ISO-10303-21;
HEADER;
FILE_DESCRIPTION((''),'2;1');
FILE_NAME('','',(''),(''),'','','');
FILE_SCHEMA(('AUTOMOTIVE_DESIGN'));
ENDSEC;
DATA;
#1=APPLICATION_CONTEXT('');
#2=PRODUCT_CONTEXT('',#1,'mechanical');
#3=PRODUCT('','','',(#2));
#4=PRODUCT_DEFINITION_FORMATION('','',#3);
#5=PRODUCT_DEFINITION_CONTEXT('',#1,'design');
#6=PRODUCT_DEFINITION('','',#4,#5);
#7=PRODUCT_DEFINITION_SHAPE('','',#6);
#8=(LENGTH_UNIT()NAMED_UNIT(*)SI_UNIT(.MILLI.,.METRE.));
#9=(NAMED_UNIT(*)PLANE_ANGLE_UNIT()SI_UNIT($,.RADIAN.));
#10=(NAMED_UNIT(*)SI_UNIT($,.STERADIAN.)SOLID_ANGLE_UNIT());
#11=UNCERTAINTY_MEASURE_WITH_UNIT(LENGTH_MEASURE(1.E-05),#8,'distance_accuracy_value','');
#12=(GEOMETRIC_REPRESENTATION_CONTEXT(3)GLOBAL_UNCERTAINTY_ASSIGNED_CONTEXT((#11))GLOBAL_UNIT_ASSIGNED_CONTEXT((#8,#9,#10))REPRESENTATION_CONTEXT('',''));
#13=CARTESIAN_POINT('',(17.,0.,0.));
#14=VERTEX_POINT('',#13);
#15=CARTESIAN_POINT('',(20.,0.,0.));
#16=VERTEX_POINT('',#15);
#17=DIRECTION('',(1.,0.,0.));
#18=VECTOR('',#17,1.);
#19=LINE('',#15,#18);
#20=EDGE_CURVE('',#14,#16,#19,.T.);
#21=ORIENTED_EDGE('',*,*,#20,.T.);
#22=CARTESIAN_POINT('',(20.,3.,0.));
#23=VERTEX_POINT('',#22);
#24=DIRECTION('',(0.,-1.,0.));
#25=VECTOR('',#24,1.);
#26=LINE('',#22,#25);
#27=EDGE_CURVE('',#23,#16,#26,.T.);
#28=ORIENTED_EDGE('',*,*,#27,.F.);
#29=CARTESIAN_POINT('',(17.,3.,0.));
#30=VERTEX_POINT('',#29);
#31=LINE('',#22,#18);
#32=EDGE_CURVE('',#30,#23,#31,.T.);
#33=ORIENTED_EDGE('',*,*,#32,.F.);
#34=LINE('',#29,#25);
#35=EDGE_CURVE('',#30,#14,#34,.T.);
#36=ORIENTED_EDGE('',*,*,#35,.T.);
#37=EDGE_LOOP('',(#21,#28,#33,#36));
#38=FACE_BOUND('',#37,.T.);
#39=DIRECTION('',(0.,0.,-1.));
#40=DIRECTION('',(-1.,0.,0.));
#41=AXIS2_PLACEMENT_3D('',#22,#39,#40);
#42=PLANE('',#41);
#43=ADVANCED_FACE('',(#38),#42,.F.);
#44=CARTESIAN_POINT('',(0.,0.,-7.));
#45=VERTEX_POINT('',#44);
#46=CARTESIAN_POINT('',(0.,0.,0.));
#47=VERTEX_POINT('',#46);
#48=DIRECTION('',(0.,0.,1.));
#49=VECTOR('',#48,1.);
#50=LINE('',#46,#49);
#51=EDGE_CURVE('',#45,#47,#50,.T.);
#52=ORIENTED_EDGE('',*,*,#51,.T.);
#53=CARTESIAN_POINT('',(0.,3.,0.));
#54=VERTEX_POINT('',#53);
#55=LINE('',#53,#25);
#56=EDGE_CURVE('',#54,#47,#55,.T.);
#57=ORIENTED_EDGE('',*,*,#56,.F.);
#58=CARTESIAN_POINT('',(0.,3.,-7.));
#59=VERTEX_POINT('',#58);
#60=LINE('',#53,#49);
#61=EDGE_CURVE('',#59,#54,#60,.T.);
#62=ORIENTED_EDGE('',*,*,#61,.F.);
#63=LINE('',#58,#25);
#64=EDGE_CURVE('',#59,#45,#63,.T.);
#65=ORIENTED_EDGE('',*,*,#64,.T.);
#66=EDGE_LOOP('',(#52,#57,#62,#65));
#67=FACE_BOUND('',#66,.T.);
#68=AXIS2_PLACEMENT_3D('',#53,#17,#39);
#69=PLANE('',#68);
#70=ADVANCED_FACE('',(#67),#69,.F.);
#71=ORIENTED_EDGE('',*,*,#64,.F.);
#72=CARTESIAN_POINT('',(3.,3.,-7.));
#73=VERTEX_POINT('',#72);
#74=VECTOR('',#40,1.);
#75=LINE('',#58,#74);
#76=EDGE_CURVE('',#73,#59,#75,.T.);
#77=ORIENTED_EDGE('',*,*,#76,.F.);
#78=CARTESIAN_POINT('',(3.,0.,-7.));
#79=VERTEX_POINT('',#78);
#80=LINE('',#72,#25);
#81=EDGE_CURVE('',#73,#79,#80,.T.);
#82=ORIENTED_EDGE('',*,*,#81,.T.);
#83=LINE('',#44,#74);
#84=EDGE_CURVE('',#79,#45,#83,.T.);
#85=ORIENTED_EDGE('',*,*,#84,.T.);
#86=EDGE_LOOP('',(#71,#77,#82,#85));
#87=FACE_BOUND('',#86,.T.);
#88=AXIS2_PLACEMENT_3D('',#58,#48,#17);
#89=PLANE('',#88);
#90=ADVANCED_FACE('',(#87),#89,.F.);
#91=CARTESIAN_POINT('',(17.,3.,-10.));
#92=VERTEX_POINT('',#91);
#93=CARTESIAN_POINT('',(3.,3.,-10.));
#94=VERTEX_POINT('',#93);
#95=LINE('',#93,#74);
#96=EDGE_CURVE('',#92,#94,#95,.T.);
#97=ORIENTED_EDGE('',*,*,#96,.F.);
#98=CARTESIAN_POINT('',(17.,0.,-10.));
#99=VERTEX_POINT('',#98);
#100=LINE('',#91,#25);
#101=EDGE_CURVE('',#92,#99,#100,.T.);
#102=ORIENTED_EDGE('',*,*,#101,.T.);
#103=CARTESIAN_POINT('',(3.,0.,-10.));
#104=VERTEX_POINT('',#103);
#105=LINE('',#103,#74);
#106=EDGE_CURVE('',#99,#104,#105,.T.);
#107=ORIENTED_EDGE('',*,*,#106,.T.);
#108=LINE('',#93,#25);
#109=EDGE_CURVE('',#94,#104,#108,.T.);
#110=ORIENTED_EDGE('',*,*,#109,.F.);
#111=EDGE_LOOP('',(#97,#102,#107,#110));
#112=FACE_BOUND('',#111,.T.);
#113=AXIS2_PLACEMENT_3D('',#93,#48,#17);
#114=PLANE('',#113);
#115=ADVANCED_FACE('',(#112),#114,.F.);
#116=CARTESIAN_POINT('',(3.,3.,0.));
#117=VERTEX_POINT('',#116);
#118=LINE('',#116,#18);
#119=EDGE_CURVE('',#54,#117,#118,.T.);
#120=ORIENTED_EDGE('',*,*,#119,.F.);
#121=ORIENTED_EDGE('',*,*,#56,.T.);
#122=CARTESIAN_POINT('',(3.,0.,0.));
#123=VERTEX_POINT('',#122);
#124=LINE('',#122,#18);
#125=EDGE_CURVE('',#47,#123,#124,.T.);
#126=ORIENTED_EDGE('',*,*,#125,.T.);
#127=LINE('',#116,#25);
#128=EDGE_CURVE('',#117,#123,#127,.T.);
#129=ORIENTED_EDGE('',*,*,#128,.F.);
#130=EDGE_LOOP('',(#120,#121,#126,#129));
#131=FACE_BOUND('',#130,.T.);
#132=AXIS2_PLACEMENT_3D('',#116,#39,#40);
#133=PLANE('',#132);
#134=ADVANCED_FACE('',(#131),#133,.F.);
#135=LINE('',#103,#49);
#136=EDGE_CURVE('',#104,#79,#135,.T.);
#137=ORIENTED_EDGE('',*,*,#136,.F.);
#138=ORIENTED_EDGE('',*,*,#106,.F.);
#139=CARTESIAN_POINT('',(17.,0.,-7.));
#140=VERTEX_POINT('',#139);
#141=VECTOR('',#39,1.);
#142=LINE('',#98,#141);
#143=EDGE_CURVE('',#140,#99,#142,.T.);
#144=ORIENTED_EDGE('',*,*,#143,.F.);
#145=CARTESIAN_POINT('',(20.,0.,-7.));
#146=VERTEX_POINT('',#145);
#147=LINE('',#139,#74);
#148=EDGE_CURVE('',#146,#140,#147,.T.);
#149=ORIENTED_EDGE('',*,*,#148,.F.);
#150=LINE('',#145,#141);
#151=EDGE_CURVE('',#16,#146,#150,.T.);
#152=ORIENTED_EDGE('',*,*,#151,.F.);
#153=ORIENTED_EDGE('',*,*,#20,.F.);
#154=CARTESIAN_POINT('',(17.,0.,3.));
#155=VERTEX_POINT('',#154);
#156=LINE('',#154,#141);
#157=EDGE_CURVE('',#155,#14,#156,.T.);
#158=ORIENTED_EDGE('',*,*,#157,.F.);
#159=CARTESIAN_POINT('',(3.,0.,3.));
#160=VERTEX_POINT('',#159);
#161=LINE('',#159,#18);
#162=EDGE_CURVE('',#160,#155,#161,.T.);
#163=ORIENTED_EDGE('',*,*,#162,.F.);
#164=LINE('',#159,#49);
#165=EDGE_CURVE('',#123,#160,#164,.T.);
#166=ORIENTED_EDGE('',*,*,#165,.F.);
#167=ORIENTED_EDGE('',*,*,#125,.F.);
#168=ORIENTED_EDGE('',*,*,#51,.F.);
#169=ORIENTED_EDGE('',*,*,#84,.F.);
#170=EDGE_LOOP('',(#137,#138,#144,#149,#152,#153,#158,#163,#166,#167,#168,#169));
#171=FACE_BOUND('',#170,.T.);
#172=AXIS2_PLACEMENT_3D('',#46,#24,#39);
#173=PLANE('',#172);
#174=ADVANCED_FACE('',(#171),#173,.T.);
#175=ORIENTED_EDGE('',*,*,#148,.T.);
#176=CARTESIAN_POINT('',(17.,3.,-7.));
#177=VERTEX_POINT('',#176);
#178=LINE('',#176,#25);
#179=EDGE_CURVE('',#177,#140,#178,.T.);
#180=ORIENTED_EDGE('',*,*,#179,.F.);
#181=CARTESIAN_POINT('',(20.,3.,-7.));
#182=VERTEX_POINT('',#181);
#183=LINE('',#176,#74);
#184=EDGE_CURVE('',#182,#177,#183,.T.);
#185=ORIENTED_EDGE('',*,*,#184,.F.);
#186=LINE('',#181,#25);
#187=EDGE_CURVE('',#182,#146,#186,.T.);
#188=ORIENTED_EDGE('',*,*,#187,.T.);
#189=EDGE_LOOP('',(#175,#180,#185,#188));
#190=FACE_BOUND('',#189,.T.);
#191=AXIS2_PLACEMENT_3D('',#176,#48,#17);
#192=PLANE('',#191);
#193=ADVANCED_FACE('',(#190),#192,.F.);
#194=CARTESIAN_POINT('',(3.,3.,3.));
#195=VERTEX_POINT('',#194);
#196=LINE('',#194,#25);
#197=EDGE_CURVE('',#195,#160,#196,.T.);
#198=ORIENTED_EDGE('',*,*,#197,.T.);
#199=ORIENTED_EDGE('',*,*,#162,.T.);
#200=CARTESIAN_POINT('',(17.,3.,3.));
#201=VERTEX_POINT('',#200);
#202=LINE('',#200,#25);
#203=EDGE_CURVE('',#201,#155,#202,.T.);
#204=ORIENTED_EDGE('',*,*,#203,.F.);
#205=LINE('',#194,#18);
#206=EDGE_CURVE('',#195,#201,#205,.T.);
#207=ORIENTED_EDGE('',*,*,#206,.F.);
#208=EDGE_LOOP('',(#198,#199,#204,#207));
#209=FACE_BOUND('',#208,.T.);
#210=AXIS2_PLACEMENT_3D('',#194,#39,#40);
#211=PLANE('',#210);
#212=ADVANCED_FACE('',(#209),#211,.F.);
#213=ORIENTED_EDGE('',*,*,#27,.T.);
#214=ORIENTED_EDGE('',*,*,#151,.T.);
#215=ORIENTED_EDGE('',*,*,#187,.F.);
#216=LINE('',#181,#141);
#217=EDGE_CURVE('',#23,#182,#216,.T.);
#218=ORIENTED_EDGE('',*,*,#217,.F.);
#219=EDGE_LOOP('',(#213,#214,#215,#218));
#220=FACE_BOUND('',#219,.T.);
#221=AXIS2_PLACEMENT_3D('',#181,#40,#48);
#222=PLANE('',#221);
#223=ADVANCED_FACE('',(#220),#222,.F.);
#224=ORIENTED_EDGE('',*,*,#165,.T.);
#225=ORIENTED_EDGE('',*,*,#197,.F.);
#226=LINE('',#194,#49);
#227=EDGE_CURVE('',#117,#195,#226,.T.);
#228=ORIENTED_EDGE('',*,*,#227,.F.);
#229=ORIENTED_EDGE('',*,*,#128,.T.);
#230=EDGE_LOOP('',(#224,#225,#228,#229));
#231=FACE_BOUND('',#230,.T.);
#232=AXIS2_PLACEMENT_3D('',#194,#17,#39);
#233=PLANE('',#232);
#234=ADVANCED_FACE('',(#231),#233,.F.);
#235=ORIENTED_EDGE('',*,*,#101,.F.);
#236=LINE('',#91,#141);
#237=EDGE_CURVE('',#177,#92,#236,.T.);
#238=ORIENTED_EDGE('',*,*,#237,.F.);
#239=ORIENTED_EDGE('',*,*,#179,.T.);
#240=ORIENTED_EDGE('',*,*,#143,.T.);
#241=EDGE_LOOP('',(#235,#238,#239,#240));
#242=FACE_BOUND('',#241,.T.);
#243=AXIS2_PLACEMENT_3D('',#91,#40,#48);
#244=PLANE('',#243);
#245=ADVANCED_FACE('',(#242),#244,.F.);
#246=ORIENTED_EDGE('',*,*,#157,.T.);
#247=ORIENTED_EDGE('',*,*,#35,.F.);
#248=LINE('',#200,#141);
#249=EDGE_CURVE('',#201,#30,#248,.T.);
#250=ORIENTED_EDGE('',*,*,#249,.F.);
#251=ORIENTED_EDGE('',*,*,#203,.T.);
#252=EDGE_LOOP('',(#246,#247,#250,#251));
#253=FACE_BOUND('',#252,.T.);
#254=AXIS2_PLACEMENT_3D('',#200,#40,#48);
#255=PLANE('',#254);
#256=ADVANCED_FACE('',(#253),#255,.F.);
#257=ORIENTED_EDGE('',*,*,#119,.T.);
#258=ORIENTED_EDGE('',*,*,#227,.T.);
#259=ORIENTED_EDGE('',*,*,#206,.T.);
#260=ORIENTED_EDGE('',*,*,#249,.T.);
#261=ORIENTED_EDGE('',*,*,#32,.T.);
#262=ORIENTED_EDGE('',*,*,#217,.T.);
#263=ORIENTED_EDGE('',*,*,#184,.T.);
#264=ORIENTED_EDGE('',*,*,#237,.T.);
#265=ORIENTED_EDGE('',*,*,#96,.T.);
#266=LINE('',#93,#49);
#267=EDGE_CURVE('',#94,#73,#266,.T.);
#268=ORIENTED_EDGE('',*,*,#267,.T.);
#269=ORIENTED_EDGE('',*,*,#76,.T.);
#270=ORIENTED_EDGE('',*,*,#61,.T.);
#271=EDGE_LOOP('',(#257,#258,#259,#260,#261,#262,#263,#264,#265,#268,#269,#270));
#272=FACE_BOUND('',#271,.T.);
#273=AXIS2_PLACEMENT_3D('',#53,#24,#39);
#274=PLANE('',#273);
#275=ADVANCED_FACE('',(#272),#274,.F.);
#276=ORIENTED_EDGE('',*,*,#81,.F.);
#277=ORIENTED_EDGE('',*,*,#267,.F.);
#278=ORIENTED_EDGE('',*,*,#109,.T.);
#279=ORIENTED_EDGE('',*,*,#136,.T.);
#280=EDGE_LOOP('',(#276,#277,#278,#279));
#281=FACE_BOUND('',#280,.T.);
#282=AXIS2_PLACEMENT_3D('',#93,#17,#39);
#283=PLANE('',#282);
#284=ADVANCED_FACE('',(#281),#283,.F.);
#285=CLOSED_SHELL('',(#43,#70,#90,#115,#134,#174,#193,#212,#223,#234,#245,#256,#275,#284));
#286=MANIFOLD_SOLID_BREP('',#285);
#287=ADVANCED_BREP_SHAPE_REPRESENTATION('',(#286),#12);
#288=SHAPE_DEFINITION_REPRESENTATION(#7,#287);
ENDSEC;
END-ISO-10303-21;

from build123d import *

# Parameters (mm, degrees)
SALIENTE_EXTRUIR1_DEPTH = 3


with BuildPart() as part:
    # Croquis1 → Saliente-Extruir1 (new body)
    with BuildSketch(Plane(origin=(0, 0, 0), x_dir=(1, 0, 0), z_dir=(0, 1, 0))):
        Polygon((0, 0), (0, 7), (3, 7), (3, 10), (17, 10), (17, 7), (20, 7), (20, 0), (17, 0), (17, -3), (3, -3), (3, 0), align=None)
    extrude(amount=SALIENTE_EXTRUIR1_DEPTH)


solid = part.part
